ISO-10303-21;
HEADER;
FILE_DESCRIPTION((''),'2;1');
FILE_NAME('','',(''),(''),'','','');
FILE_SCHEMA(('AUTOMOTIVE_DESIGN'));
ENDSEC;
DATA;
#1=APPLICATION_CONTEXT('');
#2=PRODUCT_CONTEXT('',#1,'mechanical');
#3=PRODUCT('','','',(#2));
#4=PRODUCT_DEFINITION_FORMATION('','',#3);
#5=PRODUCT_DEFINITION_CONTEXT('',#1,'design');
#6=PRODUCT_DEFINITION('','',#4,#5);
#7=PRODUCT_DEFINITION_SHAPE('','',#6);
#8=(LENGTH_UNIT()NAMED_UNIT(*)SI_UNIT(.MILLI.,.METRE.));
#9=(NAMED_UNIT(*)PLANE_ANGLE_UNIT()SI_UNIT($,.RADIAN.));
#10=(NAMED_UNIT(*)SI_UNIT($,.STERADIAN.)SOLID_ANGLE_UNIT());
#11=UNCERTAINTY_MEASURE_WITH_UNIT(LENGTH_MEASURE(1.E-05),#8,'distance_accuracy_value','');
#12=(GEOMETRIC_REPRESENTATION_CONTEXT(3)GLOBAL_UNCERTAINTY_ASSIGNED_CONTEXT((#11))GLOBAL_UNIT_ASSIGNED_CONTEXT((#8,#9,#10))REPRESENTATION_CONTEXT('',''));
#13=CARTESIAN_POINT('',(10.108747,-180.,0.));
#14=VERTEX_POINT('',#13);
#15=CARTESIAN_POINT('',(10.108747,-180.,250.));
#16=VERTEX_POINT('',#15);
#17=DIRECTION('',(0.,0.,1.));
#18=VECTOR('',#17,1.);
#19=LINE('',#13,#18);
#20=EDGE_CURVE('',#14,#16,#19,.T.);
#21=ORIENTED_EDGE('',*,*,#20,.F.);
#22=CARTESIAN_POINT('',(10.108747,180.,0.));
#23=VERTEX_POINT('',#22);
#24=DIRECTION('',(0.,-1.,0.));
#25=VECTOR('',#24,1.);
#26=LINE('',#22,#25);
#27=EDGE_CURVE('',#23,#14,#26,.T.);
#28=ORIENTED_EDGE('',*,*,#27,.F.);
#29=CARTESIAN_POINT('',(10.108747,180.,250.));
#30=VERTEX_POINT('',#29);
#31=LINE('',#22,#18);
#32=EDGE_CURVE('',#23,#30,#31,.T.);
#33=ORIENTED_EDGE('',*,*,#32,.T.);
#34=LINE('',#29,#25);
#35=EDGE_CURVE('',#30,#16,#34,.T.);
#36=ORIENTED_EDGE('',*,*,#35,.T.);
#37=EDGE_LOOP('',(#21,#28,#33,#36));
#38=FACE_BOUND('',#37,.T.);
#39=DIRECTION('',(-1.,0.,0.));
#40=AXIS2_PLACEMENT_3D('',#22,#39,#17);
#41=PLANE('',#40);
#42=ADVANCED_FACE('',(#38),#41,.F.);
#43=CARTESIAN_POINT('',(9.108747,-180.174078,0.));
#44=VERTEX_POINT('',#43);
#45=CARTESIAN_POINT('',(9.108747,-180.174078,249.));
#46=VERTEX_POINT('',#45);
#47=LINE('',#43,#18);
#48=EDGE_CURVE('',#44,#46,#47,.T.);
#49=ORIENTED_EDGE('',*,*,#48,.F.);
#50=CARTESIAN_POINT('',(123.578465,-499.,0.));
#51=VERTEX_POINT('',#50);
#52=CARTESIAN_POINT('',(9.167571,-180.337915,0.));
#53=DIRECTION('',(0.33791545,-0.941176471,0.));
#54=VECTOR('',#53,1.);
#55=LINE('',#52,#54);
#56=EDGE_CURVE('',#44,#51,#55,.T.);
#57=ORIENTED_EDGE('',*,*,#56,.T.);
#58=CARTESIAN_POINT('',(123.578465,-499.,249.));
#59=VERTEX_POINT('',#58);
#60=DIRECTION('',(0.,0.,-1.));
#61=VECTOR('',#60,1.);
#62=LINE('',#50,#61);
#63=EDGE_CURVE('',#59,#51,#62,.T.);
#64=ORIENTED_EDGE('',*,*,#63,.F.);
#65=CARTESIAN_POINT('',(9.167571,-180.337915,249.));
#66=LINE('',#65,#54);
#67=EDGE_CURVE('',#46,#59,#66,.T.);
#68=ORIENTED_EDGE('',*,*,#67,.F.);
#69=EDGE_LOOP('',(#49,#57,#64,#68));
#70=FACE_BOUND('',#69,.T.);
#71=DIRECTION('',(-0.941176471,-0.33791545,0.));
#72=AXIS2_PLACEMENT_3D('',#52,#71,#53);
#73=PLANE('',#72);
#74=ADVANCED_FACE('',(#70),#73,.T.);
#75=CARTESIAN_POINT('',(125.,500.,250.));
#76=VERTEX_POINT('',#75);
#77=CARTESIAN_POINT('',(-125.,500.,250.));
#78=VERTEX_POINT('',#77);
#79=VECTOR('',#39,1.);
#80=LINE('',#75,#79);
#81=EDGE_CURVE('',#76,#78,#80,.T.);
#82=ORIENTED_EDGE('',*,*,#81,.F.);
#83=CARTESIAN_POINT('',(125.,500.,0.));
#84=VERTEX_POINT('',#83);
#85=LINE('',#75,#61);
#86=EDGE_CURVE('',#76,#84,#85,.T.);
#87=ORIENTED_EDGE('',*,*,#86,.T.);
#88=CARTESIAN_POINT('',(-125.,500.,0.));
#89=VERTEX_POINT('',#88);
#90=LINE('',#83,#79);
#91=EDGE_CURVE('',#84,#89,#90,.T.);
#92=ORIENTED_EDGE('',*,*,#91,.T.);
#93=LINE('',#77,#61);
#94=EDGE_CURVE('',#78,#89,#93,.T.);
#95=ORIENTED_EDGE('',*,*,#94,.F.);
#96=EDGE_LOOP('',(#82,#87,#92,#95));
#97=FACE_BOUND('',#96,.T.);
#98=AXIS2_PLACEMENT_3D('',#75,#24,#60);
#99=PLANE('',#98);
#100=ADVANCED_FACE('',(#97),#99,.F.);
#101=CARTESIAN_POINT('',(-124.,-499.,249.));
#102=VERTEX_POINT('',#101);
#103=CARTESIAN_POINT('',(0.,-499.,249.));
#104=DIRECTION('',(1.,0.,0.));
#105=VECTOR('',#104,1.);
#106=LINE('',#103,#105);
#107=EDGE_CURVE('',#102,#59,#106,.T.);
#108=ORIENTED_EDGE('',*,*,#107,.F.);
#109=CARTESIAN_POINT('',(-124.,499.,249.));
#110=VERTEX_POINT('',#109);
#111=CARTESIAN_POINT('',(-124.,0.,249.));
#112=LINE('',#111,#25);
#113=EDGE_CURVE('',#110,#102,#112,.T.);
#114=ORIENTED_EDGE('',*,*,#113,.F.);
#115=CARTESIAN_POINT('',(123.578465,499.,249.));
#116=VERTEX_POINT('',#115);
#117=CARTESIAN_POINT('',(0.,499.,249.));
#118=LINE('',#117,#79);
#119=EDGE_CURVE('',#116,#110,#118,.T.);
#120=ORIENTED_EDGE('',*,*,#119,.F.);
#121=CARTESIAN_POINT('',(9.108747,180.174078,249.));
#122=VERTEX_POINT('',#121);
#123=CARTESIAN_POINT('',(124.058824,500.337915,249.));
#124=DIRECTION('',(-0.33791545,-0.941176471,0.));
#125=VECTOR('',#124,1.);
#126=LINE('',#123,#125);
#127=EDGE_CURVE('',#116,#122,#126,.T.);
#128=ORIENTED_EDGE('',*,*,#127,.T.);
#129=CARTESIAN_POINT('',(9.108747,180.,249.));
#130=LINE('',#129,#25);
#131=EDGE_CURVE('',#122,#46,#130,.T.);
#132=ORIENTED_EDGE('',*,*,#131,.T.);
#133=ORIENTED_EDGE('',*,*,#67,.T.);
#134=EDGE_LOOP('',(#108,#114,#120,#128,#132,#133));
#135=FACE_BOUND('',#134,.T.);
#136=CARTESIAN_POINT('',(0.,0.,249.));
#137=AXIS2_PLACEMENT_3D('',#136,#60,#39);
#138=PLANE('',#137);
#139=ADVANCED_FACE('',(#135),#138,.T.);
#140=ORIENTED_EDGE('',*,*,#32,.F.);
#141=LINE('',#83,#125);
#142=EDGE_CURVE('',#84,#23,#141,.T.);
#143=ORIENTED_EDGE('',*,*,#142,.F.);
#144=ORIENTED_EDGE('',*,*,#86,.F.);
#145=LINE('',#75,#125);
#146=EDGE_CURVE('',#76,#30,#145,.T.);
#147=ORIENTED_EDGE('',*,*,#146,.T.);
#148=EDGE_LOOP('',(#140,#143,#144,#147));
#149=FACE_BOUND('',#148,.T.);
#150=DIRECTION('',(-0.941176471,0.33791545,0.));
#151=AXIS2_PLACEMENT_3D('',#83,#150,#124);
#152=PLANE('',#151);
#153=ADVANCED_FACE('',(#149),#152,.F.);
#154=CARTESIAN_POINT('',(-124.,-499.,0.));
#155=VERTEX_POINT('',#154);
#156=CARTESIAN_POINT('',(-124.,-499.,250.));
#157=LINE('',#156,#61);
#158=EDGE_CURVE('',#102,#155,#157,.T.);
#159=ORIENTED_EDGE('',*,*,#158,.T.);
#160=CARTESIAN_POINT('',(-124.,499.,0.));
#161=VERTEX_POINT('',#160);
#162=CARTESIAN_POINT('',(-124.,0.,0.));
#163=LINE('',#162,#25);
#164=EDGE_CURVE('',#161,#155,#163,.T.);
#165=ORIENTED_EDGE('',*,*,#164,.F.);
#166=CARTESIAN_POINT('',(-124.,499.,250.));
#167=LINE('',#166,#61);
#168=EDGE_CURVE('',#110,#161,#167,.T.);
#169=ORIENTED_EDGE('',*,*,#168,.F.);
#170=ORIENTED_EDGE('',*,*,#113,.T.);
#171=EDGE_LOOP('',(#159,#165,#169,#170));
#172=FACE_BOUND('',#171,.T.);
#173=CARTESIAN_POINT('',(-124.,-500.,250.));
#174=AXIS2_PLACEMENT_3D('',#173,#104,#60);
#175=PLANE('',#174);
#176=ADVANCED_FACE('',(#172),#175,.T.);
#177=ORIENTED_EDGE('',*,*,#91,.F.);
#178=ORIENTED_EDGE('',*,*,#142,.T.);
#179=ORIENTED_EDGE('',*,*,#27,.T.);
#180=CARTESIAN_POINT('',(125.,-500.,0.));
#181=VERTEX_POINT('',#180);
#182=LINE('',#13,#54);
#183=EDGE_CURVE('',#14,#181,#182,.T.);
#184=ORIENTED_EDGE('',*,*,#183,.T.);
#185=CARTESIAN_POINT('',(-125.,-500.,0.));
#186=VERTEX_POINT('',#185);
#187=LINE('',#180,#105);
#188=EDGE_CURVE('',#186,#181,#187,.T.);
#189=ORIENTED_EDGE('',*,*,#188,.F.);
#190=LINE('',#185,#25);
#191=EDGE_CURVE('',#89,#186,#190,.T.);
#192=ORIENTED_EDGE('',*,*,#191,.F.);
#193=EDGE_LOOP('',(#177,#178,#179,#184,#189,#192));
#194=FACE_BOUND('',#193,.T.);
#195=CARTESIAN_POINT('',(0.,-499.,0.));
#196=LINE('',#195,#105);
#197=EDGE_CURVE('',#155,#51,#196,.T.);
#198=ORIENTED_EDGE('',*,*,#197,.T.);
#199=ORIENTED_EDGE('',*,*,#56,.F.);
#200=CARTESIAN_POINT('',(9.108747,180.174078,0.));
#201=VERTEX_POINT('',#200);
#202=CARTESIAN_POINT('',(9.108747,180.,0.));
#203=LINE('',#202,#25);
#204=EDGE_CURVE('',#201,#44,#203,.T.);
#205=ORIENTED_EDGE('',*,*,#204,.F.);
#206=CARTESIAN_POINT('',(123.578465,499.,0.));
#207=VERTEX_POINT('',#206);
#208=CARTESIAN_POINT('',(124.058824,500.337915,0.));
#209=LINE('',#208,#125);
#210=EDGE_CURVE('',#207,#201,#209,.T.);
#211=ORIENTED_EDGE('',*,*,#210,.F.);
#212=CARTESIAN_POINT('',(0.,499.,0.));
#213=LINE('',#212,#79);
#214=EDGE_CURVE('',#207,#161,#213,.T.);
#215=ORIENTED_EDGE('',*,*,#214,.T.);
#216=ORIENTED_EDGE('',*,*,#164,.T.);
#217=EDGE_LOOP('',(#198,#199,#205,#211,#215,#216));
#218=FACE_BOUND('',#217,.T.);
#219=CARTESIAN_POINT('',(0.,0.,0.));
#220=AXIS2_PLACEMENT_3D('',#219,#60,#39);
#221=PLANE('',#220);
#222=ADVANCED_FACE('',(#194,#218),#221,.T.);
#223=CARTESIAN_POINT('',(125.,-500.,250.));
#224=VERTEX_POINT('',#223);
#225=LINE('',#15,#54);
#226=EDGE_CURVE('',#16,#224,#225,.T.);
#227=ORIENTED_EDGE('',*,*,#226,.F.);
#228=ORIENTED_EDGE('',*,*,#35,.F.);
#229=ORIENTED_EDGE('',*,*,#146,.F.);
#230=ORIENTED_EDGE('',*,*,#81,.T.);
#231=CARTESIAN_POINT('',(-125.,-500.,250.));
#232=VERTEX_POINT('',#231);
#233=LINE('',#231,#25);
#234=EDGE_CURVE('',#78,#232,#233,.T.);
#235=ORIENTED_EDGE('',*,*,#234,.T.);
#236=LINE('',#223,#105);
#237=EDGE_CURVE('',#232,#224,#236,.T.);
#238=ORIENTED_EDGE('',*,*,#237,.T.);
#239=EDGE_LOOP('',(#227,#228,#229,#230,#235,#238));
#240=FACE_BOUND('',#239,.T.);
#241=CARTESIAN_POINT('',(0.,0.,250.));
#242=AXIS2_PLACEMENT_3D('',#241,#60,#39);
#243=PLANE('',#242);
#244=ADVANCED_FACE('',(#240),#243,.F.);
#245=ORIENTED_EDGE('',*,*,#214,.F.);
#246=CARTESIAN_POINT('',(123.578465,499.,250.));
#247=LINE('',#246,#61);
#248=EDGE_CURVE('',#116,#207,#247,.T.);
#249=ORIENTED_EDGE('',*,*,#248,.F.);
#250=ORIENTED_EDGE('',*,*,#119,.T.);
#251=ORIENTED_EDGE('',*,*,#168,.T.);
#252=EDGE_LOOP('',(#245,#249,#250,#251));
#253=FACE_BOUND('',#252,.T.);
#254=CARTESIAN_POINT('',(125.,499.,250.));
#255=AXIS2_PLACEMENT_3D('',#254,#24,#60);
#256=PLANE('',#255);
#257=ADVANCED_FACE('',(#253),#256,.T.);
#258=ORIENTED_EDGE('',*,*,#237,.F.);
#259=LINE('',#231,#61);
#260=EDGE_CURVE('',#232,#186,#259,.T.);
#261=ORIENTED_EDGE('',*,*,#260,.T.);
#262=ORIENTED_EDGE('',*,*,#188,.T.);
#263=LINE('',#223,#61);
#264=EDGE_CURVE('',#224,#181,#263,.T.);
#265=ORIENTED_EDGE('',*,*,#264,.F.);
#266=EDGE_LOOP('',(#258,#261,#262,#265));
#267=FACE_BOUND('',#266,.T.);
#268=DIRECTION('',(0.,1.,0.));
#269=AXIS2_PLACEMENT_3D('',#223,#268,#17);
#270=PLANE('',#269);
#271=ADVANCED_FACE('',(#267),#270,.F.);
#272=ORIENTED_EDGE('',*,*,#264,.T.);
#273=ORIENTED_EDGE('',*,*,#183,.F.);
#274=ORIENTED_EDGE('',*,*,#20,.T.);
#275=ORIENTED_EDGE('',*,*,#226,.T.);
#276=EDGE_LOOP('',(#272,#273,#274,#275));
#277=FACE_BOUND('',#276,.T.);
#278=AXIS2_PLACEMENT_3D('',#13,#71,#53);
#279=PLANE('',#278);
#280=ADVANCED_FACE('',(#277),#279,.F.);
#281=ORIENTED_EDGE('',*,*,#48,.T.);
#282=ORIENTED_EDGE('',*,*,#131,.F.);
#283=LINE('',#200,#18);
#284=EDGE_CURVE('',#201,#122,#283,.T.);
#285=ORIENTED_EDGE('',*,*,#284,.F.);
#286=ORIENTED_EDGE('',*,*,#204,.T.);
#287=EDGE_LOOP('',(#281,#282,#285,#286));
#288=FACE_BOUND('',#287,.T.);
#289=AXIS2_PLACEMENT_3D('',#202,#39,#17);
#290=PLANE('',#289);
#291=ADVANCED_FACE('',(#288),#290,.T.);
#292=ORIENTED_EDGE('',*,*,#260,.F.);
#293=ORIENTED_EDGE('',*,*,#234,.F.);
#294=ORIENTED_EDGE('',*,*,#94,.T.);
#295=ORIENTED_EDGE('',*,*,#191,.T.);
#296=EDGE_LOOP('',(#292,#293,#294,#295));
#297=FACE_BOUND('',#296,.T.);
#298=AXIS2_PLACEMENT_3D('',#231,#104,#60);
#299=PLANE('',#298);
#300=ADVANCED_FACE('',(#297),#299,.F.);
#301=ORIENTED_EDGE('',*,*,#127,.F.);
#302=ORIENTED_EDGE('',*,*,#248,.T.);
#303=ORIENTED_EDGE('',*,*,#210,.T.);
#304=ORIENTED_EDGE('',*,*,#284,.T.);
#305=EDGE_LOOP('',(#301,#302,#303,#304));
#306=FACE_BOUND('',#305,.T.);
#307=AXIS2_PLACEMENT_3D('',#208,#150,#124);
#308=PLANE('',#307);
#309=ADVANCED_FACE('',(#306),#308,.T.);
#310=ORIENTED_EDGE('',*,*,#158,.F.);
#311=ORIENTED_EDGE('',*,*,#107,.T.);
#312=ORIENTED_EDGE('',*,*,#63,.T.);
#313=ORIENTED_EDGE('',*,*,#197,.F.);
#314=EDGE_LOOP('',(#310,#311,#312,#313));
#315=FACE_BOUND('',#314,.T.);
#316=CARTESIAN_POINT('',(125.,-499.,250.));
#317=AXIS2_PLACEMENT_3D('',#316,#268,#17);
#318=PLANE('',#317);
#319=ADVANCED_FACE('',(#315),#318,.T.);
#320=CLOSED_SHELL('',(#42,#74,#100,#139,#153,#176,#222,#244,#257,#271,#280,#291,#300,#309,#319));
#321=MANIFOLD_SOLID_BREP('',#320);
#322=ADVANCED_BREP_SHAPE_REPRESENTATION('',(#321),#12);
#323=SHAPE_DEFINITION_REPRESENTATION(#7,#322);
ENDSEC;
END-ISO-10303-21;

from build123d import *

# Parameters (mm, degrees)
SKETCH1_W           = 1000
SKETCH1_H           = 250
BOSS_EXTRUDE1_DEPTH = 250
CUT_EXTRUDE1_DEPTH  = 573.821961869
SHELL1_T            = -1


with BuildPart() as part:
    # Sketch1 → Boss-Extrude1 (new body)
    with BuildSketch(Plane(origin=(0, 0, 0), x_dir=(0, 1, 0), z_dir=(0, 0, 1))):
        Rectangle(SKETCH1_W, SKETCH1_H)
    extrude(amount=BOSS_EXTRUDE1_DEPTH)

    # Sketch2 → Cut-Extrude1 (cut, through all)
    with BuildSketch(Plane(origin=(0, 0, 250), x_dir=(0, -1, 0), z_dir=(0, 0, 1))):
        Polygon((-500, 125), (-180, 10.108747069), (180, 10.108747069), (500, 125), align=None)
    extrude(amount=-CUT_EXTRUDE1_DEPTH, mode=Mode.SUBTRACT)

    # Shell1
    shell1_openings = [part.faces().sort_by_distance(p)[0] for p in [
        (-34.803159923, 0, 0),
    ]]
    offset(amount=SHELL1_T, openings=shell1_openings, kind=Kind.INTERSECTION)


solid = part.part
